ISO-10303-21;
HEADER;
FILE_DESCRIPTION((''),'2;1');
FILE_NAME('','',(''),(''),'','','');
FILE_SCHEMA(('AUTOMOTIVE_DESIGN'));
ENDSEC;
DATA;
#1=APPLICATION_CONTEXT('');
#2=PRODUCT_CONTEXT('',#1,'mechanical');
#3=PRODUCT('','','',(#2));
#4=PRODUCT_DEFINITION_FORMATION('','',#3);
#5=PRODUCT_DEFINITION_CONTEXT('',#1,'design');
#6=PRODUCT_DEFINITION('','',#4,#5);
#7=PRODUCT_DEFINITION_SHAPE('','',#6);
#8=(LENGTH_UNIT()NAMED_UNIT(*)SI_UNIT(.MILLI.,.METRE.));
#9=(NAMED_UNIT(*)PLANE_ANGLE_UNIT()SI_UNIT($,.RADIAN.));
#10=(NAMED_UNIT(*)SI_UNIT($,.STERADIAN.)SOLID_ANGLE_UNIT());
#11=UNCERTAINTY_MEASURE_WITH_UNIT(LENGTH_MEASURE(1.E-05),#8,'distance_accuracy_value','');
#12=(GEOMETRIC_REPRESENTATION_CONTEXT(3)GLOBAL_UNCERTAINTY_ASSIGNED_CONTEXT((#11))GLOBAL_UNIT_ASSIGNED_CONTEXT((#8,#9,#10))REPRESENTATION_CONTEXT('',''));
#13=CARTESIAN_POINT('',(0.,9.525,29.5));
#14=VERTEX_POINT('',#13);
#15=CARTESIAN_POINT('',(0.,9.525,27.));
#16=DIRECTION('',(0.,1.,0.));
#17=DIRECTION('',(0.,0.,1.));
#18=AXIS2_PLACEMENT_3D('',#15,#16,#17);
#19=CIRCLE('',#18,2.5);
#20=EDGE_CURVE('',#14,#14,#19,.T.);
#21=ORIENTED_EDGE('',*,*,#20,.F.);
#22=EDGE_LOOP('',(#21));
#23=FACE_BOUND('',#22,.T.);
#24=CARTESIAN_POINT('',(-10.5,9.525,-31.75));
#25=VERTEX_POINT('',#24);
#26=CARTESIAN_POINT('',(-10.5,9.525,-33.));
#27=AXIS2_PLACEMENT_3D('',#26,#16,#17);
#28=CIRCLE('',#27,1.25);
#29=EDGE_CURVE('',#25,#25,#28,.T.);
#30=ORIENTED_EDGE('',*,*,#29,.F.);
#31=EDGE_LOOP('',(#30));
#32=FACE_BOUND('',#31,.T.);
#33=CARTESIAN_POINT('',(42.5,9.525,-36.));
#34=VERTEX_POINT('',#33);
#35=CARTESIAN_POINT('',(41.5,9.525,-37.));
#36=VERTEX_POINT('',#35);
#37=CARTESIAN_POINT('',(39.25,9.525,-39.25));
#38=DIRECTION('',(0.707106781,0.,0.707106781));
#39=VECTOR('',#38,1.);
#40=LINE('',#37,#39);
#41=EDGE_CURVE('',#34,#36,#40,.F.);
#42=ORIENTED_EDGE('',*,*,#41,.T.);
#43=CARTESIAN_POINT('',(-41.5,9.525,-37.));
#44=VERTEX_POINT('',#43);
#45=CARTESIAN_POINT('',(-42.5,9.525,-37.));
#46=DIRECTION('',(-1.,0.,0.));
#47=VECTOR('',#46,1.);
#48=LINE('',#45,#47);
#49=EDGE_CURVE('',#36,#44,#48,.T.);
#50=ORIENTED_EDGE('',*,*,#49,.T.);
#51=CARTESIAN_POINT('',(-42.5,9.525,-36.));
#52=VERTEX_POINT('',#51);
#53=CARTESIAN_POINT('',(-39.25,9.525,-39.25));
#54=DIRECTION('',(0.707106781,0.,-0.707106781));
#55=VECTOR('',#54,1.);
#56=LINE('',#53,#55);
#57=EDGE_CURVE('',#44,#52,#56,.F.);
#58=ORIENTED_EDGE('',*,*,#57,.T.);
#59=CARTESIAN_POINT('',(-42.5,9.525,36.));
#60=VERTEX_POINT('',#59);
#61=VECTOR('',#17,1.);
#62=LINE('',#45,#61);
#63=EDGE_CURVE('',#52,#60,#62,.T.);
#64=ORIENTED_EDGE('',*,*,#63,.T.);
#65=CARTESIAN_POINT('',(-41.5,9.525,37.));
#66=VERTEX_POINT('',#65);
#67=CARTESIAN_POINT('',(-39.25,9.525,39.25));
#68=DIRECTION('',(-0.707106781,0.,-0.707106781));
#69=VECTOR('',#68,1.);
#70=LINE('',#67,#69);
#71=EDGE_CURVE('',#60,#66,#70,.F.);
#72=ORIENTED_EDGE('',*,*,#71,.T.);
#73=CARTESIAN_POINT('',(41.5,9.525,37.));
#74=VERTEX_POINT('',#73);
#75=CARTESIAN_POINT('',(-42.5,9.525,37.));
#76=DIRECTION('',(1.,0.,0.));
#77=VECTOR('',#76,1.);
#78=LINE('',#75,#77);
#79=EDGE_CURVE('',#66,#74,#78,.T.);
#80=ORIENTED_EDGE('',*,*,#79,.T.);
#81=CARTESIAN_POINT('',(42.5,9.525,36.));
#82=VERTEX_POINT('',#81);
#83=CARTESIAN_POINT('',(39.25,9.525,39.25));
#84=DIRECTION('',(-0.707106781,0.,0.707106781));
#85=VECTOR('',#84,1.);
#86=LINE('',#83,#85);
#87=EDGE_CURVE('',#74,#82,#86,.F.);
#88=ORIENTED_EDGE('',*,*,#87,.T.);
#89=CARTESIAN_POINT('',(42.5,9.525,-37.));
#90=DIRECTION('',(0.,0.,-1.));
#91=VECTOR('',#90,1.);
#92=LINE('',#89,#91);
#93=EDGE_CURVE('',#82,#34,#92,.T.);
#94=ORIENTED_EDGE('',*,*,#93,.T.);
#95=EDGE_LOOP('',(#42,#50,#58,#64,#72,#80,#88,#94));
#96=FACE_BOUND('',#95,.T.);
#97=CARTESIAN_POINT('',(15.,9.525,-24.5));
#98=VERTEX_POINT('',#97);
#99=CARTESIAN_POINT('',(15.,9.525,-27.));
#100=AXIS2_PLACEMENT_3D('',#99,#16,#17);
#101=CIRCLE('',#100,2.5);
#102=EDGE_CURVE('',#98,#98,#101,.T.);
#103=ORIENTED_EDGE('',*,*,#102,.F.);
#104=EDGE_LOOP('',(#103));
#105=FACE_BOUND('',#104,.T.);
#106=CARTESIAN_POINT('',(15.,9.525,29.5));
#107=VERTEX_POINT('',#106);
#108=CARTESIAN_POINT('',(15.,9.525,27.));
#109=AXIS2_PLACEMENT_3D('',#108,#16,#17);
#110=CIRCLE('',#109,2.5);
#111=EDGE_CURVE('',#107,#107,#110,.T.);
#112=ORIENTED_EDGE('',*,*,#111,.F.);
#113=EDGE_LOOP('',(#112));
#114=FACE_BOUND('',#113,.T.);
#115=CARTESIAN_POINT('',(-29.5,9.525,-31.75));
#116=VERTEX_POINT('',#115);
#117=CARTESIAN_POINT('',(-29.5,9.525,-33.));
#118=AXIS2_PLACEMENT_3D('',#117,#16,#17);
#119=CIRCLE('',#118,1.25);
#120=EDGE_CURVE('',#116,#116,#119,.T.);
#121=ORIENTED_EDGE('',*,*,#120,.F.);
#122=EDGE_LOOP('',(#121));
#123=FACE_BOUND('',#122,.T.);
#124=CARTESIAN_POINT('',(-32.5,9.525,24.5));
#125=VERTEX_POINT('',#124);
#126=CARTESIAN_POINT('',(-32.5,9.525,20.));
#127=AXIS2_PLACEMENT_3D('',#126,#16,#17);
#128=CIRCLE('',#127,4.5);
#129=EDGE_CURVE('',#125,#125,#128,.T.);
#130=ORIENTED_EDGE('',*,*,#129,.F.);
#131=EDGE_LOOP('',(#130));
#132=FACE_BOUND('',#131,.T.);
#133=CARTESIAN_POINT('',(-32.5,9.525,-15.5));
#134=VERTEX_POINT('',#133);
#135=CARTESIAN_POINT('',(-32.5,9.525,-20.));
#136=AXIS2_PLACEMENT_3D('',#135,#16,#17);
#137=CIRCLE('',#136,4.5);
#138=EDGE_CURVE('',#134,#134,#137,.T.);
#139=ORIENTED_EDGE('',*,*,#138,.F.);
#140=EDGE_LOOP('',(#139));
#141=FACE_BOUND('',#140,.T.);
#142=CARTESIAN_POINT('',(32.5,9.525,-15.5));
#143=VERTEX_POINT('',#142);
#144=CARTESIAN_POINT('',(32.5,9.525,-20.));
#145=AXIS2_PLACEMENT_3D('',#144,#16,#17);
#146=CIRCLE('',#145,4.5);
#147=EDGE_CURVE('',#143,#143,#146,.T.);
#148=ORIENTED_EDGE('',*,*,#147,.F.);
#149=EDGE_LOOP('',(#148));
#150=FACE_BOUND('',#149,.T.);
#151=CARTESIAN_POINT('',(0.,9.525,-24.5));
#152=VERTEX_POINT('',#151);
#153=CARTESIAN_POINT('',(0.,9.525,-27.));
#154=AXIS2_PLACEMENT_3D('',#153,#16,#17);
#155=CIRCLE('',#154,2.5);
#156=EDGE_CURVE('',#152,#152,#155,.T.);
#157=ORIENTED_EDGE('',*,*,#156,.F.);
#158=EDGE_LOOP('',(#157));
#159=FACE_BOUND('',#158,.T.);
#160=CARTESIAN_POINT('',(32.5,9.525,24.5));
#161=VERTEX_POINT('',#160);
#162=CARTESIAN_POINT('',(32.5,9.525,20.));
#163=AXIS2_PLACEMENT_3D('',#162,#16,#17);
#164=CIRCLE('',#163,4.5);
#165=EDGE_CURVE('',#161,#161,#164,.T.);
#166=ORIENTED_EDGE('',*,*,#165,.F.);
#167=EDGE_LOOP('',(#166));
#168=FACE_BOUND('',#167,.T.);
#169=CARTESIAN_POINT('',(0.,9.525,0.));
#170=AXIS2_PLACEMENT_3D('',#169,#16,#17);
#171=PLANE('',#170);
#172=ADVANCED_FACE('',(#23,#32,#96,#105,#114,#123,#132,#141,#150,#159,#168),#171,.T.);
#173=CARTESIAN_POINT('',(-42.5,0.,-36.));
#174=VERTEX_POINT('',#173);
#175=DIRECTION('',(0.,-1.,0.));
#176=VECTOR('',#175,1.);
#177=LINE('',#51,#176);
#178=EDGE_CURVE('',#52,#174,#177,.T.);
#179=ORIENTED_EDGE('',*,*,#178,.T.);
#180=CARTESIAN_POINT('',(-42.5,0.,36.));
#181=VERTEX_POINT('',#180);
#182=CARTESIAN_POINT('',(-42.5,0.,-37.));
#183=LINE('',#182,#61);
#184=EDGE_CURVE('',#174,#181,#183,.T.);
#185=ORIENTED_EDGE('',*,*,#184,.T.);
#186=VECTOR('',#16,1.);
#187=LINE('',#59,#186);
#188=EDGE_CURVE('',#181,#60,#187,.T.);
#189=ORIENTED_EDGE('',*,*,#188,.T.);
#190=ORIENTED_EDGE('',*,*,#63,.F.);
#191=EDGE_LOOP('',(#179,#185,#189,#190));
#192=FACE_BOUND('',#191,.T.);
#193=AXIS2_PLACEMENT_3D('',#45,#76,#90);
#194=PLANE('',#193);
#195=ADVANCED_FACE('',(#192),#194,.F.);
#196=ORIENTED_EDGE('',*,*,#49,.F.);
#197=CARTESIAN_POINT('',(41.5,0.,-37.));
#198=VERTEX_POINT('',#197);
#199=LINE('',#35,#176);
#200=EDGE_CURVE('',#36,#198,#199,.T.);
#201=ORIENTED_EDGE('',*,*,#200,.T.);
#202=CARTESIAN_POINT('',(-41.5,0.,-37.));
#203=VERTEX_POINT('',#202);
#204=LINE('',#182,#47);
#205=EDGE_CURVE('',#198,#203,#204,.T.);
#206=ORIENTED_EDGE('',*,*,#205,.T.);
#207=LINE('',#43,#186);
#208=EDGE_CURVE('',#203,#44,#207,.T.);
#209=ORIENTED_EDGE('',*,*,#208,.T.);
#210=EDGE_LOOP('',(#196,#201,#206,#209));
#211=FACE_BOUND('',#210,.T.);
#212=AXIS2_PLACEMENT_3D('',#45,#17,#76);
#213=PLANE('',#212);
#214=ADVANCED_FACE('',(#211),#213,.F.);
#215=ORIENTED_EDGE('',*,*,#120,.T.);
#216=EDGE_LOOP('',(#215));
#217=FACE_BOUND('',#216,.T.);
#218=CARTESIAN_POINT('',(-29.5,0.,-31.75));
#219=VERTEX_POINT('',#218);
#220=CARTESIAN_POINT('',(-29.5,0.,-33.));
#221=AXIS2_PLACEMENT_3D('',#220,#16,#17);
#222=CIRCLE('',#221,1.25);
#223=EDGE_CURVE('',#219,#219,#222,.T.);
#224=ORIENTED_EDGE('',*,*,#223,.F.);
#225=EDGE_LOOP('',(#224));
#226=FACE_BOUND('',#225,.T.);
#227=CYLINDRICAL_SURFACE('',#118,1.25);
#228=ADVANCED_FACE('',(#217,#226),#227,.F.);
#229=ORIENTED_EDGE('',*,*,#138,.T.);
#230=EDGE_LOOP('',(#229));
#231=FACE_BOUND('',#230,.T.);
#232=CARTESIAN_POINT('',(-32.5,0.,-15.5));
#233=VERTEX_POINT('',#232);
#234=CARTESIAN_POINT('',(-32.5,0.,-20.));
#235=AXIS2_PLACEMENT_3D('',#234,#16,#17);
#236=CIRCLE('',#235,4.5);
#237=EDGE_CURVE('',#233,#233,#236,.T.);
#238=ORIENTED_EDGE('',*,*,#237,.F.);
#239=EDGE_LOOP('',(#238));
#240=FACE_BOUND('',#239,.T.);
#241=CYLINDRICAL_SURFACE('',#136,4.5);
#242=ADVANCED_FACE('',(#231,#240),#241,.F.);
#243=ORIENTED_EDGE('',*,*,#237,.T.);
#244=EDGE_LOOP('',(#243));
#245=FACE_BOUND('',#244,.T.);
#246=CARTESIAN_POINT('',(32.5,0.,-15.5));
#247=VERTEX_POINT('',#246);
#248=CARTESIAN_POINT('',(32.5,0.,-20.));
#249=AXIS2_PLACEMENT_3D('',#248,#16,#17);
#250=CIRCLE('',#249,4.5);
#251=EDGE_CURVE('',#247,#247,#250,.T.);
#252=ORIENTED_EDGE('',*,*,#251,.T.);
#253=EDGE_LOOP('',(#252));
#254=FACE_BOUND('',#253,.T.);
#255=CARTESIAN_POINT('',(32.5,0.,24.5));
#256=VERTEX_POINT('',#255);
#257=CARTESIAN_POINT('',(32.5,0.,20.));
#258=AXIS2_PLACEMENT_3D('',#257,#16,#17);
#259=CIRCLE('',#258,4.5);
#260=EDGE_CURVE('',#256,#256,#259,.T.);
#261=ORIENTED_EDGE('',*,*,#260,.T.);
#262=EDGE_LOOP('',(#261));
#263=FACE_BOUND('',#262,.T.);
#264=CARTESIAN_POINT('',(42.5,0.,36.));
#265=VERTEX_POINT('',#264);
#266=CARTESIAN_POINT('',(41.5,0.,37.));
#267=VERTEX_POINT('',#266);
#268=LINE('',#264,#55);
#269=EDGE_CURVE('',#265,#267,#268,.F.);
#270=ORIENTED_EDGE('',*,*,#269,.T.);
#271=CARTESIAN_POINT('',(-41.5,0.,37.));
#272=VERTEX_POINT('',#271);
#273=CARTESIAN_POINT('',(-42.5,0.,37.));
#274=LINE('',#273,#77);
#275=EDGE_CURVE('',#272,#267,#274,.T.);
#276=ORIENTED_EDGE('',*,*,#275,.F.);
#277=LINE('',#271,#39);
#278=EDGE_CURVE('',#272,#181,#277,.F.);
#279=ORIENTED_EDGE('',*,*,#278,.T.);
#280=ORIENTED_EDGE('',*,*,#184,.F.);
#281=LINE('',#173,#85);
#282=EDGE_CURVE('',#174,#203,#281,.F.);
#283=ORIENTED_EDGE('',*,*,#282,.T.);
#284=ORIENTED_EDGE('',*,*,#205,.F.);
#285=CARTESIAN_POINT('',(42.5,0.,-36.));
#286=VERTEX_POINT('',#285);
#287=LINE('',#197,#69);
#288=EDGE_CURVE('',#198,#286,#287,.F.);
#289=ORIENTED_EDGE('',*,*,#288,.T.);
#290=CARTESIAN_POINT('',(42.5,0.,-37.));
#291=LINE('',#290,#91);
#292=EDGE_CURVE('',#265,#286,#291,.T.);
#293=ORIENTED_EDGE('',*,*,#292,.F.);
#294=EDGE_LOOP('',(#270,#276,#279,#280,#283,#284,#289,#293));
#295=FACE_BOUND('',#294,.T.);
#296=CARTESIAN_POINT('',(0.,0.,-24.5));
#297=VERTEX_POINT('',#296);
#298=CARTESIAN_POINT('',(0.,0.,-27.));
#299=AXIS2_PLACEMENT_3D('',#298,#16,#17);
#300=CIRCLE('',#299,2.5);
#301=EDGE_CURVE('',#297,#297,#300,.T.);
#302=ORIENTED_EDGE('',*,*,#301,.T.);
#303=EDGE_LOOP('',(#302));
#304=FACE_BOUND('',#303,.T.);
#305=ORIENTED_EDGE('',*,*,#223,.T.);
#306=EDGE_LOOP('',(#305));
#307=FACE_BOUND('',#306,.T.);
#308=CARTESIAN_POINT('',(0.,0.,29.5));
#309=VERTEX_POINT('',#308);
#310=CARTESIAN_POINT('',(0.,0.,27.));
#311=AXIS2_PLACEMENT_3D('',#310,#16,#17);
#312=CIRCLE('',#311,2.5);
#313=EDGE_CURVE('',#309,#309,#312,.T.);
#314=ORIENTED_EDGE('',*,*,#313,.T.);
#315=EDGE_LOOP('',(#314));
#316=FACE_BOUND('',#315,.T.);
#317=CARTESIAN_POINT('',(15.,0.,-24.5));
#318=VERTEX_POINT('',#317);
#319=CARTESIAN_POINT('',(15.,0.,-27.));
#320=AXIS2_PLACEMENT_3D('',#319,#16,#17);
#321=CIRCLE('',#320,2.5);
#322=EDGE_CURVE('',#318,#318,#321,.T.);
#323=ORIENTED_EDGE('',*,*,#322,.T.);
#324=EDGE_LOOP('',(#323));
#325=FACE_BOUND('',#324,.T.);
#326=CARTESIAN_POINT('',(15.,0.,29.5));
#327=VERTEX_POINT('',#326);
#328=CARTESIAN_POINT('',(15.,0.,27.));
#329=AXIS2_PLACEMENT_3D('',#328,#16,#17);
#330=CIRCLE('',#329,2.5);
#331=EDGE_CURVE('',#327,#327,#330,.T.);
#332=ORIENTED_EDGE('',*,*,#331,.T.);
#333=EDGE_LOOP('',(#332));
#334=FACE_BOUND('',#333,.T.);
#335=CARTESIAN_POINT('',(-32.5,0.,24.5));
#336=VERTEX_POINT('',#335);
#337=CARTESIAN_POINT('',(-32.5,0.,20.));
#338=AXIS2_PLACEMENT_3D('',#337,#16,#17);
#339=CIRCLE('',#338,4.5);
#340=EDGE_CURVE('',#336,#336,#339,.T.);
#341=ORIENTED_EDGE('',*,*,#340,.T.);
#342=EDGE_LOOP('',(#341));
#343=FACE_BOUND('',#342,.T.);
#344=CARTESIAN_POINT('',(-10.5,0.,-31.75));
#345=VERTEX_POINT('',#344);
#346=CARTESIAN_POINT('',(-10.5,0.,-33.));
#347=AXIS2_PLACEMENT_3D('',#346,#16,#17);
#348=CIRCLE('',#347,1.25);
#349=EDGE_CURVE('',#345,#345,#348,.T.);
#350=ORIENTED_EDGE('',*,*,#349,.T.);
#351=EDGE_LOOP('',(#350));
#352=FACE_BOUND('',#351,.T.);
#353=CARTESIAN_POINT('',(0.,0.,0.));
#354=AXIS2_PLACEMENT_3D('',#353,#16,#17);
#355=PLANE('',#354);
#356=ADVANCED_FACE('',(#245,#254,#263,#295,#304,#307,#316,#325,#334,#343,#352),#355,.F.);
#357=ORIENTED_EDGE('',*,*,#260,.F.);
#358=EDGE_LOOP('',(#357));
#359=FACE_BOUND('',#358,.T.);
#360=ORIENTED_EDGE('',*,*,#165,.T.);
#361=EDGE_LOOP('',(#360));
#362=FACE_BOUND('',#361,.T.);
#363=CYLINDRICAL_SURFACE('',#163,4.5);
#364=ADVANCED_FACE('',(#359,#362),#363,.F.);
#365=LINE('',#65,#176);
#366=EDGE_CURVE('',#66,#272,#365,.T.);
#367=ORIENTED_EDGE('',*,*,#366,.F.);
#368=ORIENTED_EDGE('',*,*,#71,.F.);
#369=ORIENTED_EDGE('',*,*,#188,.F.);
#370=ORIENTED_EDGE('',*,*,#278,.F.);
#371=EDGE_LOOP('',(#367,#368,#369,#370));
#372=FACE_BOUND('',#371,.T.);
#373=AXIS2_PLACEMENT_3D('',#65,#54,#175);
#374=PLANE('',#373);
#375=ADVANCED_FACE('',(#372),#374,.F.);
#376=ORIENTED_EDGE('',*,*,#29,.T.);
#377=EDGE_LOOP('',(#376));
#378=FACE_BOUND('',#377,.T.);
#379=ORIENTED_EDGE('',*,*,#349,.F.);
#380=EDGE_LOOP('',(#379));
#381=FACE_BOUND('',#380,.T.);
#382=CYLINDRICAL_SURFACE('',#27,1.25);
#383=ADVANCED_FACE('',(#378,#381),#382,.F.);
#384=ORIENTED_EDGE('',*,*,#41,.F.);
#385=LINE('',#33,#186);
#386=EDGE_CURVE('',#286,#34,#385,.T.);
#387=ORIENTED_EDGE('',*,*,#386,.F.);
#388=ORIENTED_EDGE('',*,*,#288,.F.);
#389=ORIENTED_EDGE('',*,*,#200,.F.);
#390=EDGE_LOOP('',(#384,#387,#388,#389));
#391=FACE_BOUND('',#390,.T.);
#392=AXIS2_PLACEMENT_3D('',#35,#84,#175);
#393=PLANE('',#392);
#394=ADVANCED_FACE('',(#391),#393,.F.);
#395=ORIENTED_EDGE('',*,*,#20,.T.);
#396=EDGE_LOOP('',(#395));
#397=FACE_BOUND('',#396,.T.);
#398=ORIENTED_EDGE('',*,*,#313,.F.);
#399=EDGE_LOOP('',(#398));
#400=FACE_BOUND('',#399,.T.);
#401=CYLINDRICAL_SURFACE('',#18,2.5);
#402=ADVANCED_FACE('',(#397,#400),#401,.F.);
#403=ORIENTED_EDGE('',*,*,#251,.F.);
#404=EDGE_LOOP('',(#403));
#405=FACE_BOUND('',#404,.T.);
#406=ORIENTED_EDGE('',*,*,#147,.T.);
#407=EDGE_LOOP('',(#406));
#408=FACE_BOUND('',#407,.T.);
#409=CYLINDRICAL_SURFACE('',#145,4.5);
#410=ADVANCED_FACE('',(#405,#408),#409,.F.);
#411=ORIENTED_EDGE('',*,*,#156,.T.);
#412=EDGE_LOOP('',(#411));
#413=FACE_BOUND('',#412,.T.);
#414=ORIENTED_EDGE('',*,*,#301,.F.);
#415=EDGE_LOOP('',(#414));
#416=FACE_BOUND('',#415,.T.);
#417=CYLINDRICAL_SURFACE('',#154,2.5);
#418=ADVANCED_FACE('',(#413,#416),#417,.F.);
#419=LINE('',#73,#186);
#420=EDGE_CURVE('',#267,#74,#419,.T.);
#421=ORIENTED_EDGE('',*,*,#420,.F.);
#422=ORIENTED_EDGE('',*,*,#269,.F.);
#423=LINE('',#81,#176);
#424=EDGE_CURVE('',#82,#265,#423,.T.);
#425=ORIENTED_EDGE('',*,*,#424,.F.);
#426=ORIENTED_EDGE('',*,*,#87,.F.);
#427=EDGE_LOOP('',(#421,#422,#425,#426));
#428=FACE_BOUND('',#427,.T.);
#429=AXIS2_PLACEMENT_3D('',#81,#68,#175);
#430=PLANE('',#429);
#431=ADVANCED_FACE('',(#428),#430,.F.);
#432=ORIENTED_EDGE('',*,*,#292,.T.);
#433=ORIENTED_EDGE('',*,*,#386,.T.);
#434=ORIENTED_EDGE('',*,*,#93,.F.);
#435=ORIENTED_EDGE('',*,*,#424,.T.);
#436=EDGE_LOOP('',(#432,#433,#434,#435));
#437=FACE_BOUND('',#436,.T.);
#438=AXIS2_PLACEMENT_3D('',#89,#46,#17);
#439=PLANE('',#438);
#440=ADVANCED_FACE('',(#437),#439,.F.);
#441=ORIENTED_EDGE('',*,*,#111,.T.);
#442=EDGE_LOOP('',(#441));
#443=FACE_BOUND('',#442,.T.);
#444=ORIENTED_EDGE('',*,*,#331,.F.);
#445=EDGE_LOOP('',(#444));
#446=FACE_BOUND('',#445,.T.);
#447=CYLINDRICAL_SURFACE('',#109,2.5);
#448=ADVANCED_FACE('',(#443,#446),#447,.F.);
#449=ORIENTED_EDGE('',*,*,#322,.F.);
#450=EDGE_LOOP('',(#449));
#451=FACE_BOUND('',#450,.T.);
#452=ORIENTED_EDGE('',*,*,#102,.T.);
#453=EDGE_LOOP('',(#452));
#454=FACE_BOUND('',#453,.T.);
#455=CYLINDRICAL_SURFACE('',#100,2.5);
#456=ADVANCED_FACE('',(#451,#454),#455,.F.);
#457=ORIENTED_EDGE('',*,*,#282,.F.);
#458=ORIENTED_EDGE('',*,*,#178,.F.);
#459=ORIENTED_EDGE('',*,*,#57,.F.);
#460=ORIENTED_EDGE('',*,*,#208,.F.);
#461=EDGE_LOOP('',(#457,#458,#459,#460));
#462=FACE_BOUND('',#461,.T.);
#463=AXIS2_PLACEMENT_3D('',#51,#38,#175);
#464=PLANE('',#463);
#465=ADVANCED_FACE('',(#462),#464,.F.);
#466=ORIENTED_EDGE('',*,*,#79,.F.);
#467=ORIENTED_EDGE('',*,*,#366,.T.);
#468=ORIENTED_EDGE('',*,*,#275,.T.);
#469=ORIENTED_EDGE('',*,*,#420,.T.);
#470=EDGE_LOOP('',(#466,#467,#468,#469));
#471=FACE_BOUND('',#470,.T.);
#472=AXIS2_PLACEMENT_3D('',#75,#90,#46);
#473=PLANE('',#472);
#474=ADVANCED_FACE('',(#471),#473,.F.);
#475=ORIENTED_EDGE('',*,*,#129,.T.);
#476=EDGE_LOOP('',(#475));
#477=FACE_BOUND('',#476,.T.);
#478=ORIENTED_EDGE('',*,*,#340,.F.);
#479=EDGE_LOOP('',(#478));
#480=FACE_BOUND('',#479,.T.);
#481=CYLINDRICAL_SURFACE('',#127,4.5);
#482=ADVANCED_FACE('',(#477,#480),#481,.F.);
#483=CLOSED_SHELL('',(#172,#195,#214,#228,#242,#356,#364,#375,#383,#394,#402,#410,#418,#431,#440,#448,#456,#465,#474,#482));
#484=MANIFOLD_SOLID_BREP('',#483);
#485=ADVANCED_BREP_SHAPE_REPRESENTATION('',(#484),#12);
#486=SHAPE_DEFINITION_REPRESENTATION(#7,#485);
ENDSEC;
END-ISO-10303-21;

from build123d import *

# Parameters (mm, degrees)
SKETCH1_W             = 85
SKETCH1_H             = 74
BOSS_EXTRUDE1_DEPTH   = 9.525
M8_CLEARANCE_HOLE1_D  = 9
M6X1_0_TAPPED_HOLE1_D = 5
M3X0_5_TAPPED_HOLE1_D = 2.5
CHAMFER1_SIZE         = 1


with BuildPart() as part:
    # Sketch1 → Boss-Extrude1 (new body)
    with BuildSketch(Plane(origin=(0, 0, 0), x_dir=(1, 0, 0), z_dir=(0, 1, 0))):
        Rectangle(SKETCH1_W, SKETCH1_H)
    extrude(amount=BOSS_EXTRUDE1_DEPTH)

    # M8 Clearance Hole1 (through all)
    with Locations(Plane(origin=(0, 9.525, 0), x_dir=(1, 0, 0), z_dir=(0, 1, 0))):
        with Locations((-32.5, 20), (32.5, 20), (32.5, -20), (-32.5, -20)):
            Hole(M8_CLEARANCE_HOLE1_D / 2)

    # M6x1.0 Tapped Hole1 (through all)
    with Locations(Plane(origin=(0, 9.525, 0), x_dir=(1, 0, 0), z_dir=(0, 1, 0))):
        with Locations((0, 27), (15, 27), (15, -27), (0, -27)):
            Hole(M6X1_0_TAPPED_HOLE1_D / 2)

    # M3x0.5 Tapped Hole1 (through all)
    with Locations(Plane(origin=(0, 9.525, 0), x_dir=(1, 0, 0), z_dir=(0, 1, 0))):
        with Locations((-29.5, 33), (-10.5, 33)):
            Hole(M3X0_5_TAPPED_HOLE1_D / 2)

    # Chamfer1
    chamfer1_edges = [part.edges().sort_by_distance(p)[0] for p in [
        (42.5, 4.7625, 37),
        (-42.5, 4.7625, 37),
        (-42.5, 4.7625, -37),
        (42.5, 4.7625, -37),
    ]]
    chamfer(chamfer1_edges, length=CHAMFER1_SIZE)


solid = part.part
